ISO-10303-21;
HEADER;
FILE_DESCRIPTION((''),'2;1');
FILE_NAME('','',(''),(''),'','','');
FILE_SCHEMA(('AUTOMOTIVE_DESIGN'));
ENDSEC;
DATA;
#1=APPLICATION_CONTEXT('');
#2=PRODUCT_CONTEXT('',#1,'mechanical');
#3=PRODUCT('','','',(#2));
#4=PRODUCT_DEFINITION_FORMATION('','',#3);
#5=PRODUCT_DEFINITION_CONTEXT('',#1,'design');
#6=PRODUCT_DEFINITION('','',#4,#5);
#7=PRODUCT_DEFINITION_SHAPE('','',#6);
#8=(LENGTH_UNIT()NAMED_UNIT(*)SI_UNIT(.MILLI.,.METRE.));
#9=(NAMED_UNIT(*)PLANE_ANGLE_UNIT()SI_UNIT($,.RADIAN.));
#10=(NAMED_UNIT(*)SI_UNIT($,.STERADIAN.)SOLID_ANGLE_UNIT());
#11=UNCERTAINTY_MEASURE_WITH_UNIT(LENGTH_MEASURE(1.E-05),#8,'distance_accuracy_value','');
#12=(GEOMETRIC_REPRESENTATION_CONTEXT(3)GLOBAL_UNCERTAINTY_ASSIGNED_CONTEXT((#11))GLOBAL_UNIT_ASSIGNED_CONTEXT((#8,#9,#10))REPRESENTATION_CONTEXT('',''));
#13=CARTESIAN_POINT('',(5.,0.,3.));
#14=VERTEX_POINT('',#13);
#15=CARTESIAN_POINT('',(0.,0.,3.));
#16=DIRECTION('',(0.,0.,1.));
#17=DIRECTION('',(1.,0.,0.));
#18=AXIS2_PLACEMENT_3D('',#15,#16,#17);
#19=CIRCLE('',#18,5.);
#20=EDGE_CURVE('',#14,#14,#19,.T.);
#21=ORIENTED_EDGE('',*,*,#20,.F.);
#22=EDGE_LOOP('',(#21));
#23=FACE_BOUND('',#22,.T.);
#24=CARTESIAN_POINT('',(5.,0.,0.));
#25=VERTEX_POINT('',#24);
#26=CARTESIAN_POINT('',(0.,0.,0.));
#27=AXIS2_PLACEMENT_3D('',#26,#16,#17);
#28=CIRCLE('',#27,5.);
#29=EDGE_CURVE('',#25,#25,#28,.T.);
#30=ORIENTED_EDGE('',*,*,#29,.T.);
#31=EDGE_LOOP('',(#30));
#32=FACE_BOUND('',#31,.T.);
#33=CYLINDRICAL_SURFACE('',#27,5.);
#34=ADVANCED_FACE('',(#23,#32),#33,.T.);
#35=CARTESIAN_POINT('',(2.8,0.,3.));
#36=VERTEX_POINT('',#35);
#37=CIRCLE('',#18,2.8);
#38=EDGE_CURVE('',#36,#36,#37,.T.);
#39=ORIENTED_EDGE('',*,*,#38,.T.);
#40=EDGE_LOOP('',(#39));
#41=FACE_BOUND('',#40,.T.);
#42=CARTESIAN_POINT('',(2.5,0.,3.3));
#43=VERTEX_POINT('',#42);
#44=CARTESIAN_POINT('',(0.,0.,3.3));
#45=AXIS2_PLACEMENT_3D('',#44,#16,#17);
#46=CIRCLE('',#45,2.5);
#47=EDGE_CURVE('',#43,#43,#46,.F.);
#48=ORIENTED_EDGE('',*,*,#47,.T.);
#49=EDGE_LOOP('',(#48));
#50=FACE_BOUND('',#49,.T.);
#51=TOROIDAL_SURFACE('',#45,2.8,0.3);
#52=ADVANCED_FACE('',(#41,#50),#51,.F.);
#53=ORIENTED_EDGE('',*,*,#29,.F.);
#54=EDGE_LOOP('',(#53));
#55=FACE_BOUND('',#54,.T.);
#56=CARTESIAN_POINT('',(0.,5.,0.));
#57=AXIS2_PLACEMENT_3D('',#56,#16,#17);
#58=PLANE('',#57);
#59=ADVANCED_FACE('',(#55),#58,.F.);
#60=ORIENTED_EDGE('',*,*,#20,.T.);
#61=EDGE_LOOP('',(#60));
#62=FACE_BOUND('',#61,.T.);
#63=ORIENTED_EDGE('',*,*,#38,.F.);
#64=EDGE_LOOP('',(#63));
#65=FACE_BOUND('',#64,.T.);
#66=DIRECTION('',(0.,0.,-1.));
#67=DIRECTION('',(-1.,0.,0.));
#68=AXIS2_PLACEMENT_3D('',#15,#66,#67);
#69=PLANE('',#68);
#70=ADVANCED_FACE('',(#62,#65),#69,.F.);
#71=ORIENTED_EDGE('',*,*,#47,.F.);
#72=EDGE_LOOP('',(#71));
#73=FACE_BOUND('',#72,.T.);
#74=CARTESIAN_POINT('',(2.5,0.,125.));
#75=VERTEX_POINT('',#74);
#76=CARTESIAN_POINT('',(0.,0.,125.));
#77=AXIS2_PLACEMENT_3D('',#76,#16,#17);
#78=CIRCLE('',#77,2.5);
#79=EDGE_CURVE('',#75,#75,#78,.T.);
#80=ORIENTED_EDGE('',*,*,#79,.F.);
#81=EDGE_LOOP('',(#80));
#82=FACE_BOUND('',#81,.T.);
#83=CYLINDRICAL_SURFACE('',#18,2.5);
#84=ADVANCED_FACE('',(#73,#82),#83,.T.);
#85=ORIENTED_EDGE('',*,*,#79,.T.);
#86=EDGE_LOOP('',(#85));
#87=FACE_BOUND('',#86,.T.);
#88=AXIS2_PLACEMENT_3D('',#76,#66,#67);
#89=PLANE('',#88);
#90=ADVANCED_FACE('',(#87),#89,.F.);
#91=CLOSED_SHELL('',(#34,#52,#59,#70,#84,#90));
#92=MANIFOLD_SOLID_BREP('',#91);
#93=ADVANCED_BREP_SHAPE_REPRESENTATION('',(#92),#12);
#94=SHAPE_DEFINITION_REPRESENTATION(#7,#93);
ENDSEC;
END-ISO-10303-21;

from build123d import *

# Parameters (mm, degrees)
SZKIC1_W = 3
SZKIC1_H = 5
SZKIC2_W = 122
SZKIC2_H = 2.5


with BuildPart() as part:
    # Szkic1 → Obrót1 (revolve)
    with BuildSketch(Plane(origin=(0, 0, 0), x_dir=(0, 0, -1), z_dir=(1, 0, 0))):
        with Locations((-1.5, 2.5)):
            Rectangle(SZKIC1_W, SZKIC1_H)
    revolve(axis=Axis((0, 0, 0), (0, 0, 1)))

    # Szkic2 → Obrót2 (revolve)
    with BuildSketch(Plane(origin=(0, 0, 0), x_dir=(0, 0, -1), z_dir=(1, 0, 0))):
        with Locations((-64, 1.25)):
            Rectangle(SZKIC2_W, SZKIC2_H)
    revolve(axis=Axis((0, 0, 3), (0, 0, 1)))

    # Szkic3 → Obrót3 (revolve)
    with BuildSketch(Plane(origin=(0, 0, 0), x_dir=(0, 0, -1), z_dir=(1, 0, 0))):
        with BuildLine():
            Line((-3.3, 2.5), (-3, 2.5))
            Line((-3, 2.5), (-3, 2.8))
            ThreePointArc((-3, 2.8), (-3.087867966, 2.587867966), (-3.3, 2.5))
        make_face()
    revolve(axis=Axis((0, 0, 0), (0, 0, 1)))


solid = part.part
